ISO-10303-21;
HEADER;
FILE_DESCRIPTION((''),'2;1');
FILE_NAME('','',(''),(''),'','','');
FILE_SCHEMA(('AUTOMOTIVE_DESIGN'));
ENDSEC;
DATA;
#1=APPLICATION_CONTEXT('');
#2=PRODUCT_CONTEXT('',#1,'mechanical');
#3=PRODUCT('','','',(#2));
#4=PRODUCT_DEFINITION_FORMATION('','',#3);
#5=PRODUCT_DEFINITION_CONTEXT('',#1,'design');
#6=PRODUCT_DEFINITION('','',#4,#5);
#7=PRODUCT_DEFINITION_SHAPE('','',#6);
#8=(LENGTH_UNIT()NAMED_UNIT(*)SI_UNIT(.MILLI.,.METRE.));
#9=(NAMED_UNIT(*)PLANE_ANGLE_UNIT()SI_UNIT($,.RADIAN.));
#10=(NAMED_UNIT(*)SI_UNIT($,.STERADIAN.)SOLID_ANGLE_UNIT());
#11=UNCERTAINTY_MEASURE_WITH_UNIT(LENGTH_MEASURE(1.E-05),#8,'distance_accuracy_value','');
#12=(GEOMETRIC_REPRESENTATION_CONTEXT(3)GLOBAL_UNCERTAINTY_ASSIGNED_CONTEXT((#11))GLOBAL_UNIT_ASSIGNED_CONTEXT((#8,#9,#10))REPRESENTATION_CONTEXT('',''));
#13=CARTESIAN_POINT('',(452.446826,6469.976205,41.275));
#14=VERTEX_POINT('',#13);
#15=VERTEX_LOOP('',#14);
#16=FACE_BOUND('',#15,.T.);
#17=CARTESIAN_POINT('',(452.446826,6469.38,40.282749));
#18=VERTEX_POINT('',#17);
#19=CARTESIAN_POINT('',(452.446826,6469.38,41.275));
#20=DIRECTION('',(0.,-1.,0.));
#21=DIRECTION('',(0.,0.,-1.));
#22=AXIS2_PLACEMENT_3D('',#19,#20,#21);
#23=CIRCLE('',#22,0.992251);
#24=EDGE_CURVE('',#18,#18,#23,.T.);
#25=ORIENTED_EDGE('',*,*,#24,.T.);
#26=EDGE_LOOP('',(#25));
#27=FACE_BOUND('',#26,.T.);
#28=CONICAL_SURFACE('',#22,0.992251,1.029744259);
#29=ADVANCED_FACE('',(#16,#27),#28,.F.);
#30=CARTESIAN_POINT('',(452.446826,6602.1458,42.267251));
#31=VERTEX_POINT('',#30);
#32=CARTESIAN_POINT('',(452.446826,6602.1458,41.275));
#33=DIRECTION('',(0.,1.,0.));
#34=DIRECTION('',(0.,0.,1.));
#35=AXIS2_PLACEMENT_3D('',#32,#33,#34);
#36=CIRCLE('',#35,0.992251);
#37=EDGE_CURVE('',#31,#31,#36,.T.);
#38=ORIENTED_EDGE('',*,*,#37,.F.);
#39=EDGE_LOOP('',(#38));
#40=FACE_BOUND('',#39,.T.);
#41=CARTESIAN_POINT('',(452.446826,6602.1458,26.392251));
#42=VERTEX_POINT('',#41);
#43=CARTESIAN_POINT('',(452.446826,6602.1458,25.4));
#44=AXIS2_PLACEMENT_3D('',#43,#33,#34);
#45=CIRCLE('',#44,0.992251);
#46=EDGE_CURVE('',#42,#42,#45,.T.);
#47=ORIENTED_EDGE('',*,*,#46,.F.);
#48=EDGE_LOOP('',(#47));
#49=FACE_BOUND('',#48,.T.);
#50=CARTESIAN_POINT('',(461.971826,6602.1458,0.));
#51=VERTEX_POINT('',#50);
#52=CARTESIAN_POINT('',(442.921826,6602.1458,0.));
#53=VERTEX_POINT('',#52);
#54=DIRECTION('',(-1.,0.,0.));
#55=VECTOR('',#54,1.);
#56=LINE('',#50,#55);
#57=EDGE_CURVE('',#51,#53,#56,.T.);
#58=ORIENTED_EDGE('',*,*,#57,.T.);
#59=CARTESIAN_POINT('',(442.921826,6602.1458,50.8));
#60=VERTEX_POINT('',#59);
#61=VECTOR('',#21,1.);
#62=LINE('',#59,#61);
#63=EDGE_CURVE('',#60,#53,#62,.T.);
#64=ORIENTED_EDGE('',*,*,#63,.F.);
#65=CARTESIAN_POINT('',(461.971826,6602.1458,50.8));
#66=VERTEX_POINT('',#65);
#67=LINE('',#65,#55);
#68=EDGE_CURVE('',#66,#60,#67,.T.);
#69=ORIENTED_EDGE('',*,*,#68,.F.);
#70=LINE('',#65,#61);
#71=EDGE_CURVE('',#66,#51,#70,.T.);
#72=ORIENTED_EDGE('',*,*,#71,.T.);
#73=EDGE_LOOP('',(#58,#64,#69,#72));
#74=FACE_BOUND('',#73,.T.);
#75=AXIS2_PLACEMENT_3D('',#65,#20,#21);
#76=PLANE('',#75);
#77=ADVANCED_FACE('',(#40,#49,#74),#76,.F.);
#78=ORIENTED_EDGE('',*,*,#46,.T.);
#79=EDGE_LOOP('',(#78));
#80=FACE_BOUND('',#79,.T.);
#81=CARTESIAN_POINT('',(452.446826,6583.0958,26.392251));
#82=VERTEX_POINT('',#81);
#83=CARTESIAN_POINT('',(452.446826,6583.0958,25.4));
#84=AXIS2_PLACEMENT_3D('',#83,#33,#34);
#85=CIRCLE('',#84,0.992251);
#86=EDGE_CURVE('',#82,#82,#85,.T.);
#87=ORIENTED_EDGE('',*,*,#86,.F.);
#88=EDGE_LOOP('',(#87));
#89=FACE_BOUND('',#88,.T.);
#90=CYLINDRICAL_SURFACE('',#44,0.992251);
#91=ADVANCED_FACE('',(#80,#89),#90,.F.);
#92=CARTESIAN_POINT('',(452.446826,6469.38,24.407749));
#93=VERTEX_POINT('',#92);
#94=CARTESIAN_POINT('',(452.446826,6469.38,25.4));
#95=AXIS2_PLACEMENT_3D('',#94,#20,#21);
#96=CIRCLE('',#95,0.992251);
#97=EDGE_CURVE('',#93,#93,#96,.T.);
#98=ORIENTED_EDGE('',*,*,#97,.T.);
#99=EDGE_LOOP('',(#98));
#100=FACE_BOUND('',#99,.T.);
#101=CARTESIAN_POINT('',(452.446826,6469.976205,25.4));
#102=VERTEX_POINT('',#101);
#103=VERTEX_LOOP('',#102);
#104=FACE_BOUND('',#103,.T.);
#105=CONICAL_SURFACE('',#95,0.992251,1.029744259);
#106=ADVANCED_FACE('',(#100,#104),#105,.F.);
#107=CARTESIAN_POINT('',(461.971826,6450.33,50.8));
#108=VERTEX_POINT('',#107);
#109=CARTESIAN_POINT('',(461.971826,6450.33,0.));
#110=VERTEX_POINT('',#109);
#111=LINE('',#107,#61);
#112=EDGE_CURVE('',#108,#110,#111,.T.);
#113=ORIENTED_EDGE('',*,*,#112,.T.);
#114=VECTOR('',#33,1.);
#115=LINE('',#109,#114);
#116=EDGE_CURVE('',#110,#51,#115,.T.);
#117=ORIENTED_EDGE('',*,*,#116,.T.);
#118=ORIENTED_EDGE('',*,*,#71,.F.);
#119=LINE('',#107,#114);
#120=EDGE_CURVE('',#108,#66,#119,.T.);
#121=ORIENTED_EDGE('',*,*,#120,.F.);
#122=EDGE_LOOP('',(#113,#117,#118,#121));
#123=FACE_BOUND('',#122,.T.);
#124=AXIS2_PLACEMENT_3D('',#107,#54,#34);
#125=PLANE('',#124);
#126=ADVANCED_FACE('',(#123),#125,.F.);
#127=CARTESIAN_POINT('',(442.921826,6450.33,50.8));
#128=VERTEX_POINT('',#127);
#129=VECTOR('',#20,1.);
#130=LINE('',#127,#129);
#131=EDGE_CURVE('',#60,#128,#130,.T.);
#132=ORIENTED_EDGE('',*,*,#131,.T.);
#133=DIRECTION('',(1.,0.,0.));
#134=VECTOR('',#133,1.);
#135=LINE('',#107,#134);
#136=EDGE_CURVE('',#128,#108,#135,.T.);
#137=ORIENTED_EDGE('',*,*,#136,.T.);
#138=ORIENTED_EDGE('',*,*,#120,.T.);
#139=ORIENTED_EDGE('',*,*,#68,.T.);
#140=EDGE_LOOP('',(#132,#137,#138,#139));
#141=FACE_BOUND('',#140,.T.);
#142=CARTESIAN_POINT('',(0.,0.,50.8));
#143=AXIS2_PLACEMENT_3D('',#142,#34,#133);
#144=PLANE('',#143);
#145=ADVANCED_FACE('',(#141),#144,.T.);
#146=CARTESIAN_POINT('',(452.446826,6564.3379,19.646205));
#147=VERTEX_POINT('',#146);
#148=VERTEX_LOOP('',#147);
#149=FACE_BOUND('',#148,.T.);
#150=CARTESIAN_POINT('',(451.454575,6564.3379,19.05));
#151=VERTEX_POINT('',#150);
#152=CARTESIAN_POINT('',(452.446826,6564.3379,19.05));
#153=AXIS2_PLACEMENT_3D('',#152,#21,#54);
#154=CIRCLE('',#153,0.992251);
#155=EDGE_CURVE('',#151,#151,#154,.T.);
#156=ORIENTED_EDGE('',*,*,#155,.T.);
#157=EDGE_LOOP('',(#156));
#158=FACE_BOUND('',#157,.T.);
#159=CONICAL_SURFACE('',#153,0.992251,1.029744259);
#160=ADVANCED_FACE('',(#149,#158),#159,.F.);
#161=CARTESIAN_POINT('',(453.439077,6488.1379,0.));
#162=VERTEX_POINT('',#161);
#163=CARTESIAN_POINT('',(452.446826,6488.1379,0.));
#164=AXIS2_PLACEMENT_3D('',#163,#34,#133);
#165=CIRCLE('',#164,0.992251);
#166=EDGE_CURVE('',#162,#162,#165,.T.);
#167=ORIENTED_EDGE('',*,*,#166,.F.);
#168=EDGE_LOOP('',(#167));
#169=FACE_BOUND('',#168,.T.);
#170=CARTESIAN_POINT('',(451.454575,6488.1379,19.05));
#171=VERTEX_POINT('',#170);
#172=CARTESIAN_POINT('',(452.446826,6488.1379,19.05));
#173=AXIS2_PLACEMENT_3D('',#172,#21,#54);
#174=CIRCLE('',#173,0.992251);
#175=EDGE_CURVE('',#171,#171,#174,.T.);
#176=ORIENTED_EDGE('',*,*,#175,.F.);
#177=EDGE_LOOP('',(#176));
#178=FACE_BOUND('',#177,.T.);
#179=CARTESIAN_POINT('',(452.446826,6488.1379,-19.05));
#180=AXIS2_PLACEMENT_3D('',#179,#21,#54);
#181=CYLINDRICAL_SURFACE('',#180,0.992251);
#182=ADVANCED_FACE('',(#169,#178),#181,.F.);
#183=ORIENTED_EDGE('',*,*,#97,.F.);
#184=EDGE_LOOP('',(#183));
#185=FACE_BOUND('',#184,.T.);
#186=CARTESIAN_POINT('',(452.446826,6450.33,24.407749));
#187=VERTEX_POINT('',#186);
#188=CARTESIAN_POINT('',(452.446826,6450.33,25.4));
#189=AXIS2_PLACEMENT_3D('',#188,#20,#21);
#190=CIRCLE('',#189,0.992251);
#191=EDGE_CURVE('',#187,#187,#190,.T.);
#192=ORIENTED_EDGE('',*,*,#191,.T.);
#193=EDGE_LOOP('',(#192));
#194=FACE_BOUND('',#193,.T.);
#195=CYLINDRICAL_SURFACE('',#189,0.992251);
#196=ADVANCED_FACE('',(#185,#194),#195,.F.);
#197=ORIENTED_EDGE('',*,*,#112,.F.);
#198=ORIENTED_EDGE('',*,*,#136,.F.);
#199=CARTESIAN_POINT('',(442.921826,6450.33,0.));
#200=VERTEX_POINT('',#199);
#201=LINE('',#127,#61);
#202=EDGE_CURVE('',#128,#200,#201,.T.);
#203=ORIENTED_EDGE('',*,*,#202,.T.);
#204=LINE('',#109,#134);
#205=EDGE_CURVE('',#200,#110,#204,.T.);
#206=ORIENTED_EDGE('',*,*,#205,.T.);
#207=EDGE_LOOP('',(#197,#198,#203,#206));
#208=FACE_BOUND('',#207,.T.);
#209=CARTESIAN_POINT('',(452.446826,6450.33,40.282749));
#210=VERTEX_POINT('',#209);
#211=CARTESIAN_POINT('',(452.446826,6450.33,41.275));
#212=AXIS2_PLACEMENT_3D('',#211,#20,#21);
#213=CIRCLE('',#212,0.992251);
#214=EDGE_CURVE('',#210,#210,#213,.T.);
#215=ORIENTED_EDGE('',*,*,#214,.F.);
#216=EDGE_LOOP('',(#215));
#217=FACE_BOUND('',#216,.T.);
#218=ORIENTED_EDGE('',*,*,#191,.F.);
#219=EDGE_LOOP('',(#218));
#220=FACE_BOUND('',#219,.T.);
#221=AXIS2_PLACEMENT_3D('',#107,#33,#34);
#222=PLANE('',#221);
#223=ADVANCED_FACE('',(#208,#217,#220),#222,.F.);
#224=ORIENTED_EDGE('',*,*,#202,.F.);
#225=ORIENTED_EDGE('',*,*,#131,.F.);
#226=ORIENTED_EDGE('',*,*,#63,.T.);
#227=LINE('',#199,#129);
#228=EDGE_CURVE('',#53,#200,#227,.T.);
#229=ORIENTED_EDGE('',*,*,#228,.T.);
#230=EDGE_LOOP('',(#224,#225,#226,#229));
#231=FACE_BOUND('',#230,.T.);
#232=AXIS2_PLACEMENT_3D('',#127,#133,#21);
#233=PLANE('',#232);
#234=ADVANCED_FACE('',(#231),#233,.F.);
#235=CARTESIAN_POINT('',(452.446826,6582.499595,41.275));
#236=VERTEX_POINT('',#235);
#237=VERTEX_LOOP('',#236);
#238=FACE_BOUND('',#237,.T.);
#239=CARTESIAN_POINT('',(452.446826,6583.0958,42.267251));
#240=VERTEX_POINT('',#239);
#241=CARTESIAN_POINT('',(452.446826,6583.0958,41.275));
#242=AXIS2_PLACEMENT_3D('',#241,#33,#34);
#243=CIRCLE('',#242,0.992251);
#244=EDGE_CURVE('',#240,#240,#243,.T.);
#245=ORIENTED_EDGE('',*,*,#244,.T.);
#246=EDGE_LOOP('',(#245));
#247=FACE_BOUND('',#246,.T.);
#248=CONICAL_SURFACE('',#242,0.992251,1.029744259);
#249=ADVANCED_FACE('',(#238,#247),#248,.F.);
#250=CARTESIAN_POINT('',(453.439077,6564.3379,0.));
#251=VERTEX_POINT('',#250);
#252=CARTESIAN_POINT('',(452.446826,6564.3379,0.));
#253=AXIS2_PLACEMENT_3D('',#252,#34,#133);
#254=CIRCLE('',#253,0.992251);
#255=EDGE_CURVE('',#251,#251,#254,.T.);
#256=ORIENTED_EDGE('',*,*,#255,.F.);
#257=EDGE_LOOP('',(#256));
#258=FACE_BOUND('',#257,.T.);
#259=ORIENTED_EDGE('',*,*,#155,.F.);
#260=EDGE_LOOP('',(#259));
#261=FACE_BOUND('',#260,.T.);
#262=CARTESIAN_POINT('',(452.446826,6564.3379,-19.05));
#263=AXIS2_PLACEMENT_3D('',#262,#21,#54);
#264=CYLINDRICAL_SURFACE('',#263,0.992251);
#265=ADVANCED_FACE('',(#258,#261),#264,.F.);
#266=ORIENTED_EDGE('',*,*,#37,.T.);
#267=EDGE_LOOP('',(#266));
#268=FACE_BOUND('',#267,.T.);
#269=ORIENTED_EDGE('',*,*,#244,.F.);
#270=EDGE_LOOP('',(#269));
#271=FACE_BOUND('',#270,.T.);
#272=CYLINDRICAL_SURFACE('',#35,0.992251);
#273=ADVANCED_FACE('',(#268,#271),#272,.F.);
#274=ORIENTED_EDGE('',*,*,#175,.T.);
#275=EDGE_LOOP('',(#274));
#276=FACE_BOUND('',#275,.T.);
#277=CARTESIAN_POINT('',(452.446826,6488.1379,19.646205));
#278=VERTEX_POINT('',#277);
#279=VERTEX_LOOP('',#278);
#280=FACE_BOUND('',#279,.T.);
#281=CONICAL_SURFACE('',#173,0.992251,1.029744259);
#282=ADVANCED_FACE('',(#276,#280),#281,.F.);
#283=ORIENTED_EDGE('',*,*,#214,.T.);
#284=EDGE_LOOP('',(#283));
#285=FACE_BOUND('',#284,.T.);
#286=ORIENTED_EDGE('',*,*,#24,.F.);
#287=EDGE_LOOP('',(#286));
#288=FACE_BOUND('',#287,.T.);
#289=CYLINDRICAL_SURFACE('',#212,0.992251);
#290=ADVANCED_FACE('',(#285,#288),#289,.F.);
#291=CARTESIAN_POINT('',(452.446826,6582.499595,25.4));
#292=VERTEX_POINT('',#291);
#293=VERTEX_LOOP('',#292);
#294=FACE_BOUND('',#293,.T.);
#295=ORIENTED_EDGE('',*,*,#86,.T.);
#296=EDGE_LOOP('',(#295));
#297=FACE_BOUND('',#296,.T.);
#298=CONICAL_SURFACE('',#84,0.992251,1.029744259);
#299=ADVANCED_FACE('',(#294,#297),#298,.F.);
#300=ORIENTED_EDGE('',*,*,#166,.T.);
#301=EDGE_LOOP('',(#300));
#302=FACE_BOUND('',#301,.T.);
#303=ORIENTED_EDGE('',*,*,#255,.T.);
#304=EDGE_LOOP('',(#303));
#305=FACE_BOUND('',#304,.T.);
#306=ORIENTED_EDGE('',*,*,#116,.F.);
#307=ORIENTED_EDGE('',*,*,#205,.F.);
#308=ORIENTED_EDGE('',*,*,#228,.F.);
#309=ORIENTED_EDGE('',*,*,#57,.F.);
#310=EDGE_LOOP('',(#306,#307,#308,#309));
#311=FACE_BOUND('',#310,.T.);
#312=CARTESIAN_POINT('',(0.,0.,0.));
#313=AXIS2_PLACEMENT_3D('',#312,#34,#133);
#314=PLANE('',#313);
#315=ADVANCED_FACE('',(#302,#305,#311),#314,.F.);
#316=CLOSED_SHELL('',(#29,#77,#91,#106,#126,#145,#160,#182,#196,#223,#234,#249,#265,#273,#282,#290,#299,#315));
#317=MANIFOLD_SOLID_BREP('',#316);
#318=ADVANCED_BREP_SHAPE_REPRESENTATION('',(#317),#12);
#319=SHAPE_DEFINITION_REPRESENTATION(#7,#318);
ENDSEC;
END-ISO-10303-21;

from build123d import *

# Parameters (mm, degrees)
SKETCH1_W                           = 19.05
SKETCH1_H                           = 151.8158
BOSS_EXTRUDE1_DEPTH                 = 50.8
F_5_64_0_07813_DIAMETER_HOLE1_D     = 1.984502
F_5_64_0_07813_DIAMETER_HOLE1_DEPTH = 38.1
F_5_64_0_07813_DIAMETER_HOLE1_TIP   = 0.59620455
F_5_64_0_07813_DIAMETER_HOLE2_D     = 1.984502
F_5_64_0_07813_DIAMETER_HOLE2_DEPTH = 38.1
F_5_64_0_07813_DIAMETER_HOLE2_TIP   = 0.59620455
F_5_64_0_07813_DIAMETER_HOLE3_D     = 1.984502
F_5_64_0_07813_DIAMETER_HOLE3_DEPTH = 19.05
F_5_64_0_07813_DIAMETER_HOLE3_TIP   = 0.59620455
F_5_64_0_07813_DIAMETER_HOLE4_D     = 1.984502
F_5_64_0_07813_DIAMETER_HOLE4_DEPTH = 19.05
F_5_64_0_07813_DIAMETER_HOLE4_TIP   = 0.59620455


with BuildPart() as part:
    # Sketch1 → Boss-Extrude1 (new body)
    with BuildSketch(Plane.XY):
        with Locations((452.446826131, 6526.2379)):
            Rectangle(SKETCH1_W, SKETCH1_H)
    extrude(amount=BOSS_EXTRUDE1_DEPTH)

    # 5/64 (0.07813) Diameter Hole1
    with Locations(Plane(origin=(5.615513709, 0, -19.05), x_dir=(-1, 0, 0), z_dir=(0, 0, -1))):
        with Locations((-481.589248274, 6993.254992531), (-386.339248274, 6993.254992531), (-291.089248274, 6993.254992531), (-295.274999999, 6965.135938475), (-295.274999999, 6812.735938475), (-295.274999999, 6660.335938474), (-285.166362357, 6631.468843414), (-475.477307398, 6631.468752771), (-485.002307398, 6660.335938474), (-485.002307398, 6812.735938474), (-485.002307398, 6965.135938474), (-478.365617646, 6611.6708), (-287.865617646, 6611.6708), (-307.975, 6564.3379), (-307.975, 6488.1379), (-284.960913066, 6440.805), (-380.210913066, 6440.805), (-475.460913066, 6440.805), (-446.831312422, 6488.1379), (-446.831312422, 6564.3379), (-472.231312422, 6396.355), (-472.231312422, 6320.155), (-472.653156211, 6275.705000839), (-377.403156211, 6275.705000839), (-282.153156211, 6275.705000839), (-282.575, 6320.155), (-282.575, 6396.355), (-435.598646187, 6221.729999816), (-435.598646187, 6145.529999816), (-450.592518112, 6091.554999951), (-460.998646187, 6091.555478285), (-460.998646187, 6056.629999944), (-460.998646187, 5980.429999944), (-460.998646187, 5945.505000042), (-282.153156211, 5945.505000042), (-368.611823093, 5945.505000042)):
            Hole(F_5_64_0_07813_DIAMETER_HOLE1_D / 2, depth=F_5_64_0_07813_DIAMETER_HOLE1_DEPTH)
            with Locations((0, 0, -(F_5_64_0_07813_DIAMETER_HOLE1_DEPTH + F_5_64_0_07813_DIAMETER_HOLE1_TIP / 2))):  # 118° drill point
                Cone(0, F_5_64_0_07813_DIAMETER_HOLE1_D / 2, F_5_64_0_07813_DIAMETER_HOLE1_TIP, mode=Mode.SUBTRACT)

    # 5/64 (0.07813) Diameter Hole2
    with Locations(Plane(origin=(144.471826131, 0, -19.05), x_dir=(-1, 0, 0), z_dir=(0, 0, -1))):
        with Locations((-481.589248274, 6993.254992531), (-386.339248274, 6993.254992531), (-291.089248274, 6993.254992531), (-295.274999999, 6965.135938475), (-295.274999999, 6812.735938475), (-295.274999999, 6660.335938474), (-285.166362357, 6631.468843414), (-475.477307398, 6631.468752771), (-485.002307398, 6660.335938474), (-485.002307398, 6812.735938474), (-485.002307398, 6965.135938474), (-478.365617646, 6611.6708), (-287.865617646, 6611.6708), (-307.975, 6564.3379), (-307.975, 6488.1379), (-284.960913066, 6440.805), (-380.210913066, 6440.805), (-475.460913066, 6440.805), (-446.831312422, 6488.1379), (-446.831312422, 6564.3379), (-472.231312422, 6396.355), (-472.231312422, 6320.155), (-472.653156211, 6275.705000839), (-377.403156211, 6275.705000839), (-282.153156211, 6275.705000839), (-282.575, 6320.155), (-282.575, 6396.355), (-435.598646187, 6221.729999816), (-435.598646187, 6145.529999816), (-450.592518112, 6091.554999951), (-460.998646187, 6091.555478285), (-460.998646187, 6056.629999944), (-460.998646187, 5980.429999944), (-460.998646187, 5945.505000042), (-282.153156211, 5945.505000042), (-368.611823093, 5945.505000042)):
            Hole(F_5_64_0_07813_DIAMETER_HOLE2_D / 2, depth=F_5_64_0_07813_DIAMETER_HOLE2_DEPTH)
            with Locations((0, 0, -(F_5_64_0_07813_DIAMETER_HOLE2_DEPTH + F_5_64_0_07813_DIAMETER_HOLE2_TIP / 2))):  # 118° drill point
                Cone(0, F_5_64_0_07813_DIAMETER_HOLE2_D / 2, F_5_64_0_07813_DIAMETER_HOLE2_TIP, mode=Mode.SUBTRACT)

    # 5/64 (0.07813) Diameter Hole3
    with Locations(Plane(origin=(0, 6602.1458, 0), x_dir=(1, 0, 0), z_dir=(0, 1, 0))):
        with Locations((452.446826131, -41.275), (452.446826131, -25.4)):
            Hole(F_5_64_0_07813_DIAMETER_HOLE3_D / 2, depth=F_5_64_0_07813_DIAMETER_HOLE3_DEPTH)
            with Locations((0, 0, -(F_5_64_0_07813_DIAMETER_HOLE3_DEPTH + F_5_64_0_07813_DIAMETER_HOLE3_TIP / 2))):  # 118° drill point
                Cone(0, F_5_64_0_07813_DIAMETER_HOLE3_D / 2, F_5_64_0_07813_DIAMETER_HOLE3_TIP, mode=Mode.SUBTRACT)

    # 5/64 (0.07813) Diameter Hole4
    with Locations(Plane(origin=(0, 6450.33, 0), x_dir=(-1, 0, 0), z_dir=(0, -1, 0))):
        with Locations((-452.446826131, -41.275), (-452.446826131, -25.4)):
            Hole(F_5_64_0_07813_DIAMETER_HOLE4_D / 2, depth=F_5_64_0_07813_DIAMETER_HOLE4_DEPTH)
            with Locations((0, 0, -(F_5_64_0_07813_DIAMETER_HOLE4_DEPTH + F_5_64_0_07813_DIAMETER_HOLE4_TIP / 2))):  # 118° drill point
                Cone(0, F_5_64_0_07813_DIAMETER_HOLE4_D / 2, F_5_64_0_07813_DIAMETER_HOLE4_TIP, mode=Mode.SUBTRACT)


solid = part.part
